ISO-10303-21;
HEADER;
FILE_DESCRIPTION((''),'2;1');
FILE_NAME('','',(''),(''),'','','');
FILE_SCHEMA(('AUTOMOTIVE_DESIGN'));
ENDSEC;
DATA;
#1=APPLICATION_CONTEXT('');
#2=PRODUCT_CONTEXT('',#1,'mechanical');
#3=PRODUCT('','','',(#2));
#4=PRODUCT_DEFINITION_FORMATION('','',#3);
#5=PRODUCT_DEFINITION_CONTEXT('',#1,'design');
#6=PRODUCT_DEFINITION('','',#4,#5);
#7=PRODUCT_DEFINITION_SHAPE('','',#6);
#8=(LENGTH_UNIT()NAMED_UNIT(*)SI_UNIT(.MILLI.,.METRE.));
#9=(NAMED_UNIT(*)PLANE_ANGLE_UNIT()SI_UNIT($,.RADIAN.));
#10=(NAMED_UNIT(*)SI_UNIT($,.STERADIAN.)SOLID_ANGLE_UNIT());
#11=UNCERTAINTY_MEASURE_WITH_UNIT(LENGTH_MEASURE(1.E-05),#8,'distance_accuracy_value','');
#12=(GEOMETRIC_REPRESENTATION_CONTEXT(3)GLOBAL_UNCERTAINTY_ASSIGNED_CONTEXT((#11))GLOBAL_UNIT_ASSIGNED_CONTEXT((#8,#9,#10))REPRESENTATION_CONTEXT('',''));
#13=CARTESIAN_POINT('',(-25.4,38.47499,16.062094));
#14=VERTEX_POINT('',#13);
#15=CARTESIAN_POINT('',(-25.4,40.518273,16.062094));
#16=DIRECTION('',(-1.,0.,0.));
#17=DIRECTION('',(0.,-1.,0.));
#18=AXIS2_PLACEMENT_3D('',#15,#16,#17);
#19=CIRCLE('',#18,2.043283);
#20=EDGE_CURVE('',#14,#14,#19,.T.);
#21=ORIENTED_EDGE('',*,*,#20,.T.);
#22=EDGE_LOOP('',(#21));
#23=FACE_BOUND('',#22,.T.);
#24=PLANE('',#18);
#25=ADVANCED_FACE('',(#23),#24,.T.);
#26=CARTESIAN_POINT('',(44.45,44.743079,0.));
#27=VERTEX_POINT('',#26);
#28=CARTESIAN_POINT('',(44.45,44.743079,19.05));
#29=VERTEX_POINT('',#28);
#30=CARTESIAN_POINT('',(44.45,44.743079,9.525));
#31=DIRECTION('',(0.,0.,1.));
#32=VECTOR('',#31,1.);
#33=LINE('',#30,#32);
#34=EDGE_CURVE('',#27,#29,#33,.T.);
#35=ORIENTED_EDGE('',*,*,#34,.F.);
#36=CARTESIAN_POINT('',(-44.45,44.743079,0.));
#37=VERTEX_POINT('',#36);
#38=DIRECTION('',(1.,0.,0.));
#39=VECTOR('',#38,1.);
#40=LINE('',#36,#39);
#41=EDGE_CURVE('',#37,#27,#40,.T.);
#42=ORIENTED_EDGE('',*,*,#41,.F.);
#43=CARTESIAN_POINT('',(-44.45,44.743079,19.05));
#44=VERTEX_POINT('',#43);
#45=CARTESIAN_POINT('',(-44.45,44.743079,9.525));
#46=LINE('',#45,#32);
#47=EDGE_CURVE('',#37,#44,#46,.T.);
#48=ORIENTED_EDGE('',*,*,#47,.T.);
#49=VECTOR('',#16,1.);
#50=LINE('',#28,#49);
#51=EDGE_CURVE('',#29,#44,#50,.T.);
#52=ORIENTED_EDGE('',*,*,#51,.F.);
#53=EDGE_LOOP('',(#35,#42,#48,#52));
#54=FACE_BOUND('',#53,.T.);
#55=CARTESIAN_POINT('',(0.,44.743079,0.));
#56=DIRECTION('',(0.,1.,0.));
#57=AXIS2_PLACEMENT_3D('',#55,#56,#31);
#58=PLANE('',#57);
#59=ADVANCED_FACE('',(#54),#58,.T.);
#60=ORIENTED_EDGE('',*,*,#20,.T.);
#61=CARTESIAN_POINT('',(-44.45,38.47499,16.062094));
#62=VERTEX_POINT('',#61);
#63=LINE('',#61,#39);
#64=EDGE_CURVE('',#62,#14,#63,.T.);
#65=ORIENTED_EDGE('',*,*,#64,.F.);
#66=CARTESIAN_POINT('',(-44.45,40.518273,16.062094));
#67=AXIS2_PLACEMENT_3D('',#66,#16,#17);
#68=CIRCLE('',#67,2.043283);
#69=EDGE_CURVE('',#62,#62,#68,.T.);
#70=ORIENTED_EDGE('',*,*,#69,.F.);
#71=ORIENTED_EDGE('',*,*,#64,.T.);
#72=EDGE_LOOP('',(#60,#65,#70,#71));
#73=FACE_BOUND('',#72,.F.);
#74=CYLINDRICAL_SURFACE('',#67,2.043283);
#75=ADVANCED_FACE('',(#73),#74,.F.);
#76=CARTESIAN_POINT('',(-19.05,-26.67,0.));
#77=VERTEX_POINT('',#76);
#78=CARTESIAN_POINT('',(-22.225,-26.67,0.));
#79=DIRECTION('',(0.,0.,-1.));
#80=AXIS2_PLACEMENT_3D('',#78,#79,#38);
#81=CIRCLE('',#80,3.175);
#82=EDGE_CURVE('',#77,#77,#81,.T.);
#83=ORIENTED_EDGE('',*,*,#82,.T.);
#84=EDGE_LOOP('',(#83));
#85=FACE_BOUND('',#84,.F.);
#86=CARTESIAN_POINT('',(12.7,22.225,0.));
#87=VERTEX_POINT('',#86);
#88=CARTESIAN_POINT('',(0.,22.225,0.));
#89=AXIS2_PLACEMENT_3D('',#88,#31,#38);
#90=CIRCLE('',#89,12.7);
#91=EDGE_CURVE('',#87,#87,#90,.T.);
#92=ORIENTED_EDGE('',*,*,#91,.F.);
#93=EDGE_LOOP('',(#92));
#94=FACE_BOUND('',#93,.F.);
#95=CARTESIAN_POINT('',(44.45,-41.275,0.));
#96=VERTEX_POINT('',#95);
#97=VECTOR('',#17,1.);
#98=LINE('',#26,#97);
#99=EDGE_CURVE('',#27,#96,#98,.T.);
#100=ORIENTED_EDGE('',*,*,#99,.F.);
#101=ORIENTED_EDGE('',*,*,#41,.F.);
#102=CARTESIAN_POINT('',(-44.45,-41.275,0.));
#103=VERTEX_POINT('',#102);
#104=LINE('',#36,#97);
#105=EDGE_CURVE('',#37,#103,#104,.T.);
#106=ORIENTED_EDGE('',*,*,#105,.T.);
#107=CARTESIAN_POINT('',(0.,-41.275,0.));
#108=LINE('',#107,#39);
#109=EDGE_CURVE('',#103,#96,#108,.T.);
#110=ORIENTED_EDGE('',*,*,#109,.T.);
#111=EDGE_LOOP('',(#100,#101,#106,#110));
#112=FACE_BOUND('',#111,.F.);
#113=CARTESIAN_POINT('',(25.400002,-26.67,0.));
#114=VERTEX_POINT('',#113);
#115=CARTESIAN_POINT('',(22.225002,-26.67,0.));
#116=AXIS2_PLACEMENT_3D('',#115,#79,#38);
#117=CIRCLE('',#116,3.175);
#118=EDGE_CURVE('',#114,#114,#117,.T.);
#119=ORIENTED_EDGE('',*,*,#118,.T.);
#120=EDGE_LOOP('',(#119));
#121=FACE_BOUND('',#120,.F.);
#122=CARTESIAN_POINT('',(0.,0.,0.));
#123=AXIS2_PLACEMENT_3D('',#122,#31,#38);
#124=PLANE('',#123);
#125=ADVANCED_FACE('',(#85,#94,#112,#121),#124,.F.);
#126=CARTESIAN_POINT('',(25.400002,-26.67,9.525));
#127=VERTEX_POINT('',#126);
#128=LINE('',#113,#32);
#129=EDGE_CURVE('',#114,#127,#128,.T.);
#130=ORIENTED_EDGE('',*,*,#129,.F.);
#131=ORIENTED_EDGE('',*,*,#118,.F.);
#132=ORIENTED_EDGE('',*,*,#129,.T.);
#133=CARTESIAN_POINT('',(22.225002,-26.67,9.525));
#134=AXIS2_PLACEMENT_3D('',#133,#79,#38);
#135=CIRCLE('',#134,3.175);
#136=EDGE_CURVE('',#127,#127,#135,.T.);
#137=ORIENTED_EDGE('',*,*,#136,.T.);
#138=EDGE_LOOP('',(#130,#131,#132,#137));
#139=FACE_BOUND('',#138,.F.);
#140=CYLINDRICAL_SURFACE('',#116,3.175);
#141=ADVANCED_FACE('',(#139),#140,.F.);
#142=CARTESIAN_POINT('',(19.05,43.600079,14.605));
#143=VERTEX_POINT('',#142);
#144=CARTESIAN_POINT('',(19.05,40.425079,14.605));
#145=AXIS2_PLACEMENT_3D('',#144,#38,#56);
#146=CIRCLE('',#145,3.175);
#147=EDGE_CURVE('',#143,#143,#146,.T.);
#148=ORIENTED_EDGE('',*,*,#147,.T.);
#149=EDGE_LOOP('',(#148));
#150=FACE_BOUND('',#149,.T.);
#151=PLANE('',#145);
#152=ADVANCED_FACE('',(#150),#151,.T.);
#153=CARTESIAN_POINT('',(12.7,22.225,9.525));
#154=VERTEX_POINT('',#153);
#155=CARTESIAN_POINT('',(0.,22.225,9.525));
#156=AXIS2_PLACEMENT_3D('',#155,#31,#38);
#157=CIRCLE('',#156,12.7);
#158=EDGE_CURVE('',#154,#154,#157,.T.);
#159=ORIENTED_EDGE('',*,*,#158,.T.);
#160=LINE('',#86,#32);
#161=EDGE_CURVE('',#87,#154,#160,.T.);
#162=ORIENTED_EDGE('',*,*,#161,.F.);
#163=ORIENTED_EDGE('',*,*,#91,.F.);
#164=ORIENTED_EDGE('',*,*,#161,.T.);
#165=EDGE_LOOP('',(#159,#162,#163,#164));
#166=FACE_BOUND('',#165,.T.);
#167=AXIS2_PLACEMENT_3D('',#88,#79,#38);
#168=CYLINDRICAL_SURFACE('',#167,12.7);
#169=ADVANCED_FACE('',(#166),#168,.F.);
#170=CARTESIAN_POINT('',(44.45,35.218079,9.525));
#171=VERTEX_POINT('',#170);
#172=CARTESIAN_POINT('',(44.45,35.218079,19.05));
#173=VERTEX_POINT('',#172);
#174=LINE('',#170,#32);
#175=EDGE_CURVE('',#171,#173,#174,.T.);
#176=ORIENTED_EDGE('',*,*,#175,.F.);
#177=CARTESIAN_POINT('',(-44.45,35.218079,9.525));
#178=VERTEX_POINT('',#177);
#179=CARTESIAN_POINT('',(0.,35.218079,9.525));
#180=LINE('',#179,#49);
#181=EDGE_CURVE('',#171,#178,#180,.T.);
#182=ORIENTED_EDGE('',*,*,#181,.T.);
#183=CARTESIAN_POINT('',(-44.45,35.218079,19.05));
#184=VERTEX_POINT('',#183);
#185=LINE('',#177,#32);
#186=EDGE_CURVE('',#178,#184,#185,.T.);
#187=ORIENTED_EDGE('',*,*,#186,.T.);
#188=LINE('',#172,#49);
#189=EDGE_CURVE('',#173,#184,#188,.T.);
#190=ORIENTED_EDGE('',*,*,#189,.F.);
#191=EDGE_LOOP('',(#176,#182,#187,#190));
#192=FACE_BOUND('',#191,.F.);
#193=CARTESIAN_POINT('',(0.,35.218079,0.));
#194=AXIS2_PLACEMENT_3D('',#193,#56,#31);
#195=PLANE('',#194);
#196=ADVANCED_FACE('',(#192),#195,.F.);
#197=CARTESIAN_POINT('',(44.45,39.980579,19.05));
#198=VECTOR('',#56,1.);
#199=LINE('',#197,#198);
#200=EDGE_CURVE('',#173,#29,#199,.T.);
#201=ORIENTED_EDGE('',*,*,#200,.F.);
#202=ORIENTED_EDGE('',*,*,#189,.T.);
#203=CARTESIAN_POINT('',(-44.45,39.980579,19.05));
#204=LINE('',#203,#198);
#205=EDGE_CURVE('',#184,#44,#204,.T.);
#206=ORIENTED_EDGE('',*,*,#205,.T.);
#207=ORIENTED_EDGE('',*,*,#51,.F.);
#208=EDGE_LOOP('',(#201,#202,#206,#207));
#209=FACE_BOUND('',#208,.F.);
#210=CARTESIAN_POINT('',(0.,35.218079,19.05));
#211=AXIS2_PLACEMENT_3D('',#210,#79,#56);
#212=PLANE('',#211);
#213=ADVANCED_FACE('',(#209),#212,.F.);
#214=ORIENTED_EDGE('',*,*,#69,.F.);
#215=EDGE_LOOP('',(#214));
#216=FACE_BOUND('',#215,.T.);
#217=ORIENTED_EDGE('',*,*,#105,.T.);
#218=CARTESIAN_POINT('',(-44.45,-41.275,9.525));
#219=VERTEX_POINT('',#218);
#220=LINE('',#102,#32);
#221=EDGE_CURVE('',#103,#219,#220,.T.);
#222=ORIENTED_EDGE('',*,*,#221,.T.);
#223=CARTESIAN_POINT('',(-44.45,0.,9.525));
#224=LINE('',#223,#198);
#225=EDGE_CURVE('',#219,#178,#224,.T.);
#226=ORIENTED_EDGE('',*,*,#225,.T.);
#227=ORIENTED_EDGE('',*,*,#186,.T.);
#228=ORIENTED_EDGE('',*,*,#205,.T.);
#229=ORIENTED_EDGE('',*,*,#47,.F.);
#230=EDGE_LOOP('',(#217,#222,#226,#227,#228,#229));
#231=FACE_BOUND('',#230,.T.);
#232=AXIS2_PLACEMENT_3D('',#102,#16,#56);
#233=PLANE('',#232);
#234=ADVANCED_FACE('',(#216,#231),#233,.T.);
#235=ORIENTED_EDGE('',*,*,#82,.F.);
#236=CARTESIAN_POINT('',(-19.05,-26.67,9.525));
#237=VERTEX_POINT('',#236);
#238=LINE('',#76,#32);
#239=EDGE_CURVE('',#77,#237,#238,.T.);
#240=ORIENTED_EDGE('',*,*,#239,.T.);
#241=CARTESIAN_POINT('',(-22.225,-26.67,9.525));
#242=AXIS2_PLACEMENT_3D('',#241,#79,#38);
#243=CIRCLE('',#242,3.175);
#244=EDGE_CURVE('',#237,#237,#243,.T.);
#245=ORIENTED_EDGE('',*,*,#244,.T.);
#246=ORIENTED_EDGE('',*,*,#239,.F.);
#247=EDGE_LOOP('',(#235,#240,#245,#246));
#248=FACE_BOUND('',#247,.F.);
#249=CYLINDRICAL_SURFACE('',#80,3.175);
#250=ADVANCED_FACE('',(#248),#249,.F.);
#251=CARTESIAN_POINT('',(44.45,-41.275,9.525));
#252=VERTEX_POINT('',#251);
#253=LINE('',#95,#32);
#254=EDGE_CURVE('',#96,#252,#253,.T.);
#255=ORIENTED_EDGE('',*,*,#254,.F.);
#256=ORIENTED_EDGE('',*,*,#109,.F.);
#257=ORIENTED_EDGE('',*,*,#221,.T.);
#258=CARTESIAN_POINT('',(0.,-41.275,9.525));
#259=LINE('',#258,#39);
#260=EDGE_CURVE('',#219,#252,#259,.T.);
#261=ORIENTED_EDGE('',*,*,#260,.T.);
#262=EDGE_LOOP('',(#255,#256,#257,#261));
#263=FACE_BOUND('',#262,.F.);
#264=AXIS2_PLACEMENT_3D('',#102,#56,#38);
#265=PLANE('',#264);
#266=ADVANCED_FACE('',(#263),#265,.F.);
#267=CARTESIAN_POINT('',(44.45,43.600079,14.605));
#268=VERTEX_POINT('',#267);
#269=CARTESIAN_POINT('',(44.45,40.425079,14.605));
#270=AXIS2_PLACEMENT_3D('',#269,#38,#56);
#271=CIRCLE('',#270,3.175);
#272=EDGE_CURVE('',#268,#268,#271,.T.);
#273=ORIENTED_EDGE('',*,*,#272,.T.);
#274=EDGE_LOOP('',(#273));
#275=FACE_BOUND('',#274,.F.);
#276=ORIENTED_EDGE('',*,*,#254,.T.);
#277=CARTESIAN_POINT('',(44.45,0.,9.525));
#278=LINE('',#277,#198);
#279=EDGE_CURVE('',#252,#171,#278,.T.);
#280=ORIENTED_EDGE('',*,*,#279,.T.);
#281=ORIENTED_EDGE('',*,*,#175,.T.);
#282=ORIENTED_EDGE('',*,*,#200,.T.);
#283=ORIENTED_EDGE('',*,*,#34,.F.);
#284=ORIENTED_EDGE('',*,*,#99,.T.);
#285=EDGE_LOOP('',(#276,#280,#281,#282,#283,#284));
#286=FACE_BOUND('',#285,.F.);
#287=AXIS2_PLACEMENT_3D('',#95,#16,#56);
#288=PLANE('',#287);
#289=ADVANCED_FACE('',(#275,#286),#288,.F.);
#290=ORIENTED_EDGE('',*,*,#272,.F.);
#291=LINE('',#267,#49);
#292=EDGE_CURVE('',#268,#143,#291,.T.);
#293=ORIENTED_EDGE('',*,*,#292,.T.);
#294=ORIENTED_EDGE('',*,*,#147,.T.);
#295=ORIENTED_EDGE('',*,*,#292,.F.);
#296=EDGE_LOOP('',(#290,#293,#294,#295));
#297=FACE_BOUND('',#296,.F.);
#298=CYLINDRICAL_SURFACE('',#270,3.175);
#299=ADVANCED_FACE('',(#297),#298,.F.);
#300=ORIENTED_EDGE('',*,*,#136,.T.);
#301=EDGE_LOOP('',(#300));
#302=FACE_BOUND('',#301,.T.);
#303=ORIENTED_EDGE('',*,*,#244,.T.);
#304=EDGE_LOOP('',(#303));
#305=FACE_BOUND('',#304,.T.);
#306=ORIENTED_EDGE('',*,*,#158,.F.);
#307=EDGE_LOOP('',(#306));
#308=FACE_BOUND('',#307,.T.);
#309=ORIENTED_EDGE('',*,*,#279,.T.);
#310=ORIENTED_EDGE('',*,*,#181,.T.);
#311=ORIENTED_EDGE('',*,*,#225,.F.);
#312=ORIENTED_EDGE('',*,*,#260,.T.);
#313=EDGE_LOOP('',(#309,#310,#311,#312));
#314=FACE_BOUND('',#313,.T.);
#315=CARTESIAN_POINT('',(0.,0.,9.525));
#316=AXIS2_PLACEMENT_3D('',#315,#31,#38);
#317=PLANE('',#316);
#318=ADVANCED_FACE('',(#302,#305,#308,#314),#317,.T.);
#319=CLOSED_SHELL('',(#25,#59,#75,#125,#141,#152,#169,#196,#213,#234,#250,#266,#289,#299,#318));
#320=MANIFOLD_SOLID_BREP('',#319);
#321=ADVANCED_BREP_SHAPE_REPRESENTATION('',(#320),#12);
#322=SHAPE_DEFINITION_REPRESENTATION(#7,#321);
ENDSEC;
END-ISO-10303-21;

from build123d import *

# Parameters (mm, degrees)
F0_W     = 88.9
F0_H     = 82.55
F0_R     = 12.7
F2_DEPTH = 9.525
F1_W     = 9.525
F1_H     = 19.05
F3_DEPTH = 44.45
F4_R     = 3.175
F5_DEPTH = 25.4
F6_R     = 2.0432827377
F7_DEPTH = 19.05
F8_R     = 3.175
F9_DEPTH = 19.051


with BuildPart() as f2:
    # F0 (on Top) → F2 (new body)
    with BuildSketch(Plane.XY):
        Rectangle(F0_W, F0_H)
        with Locations((0, 22.225)):
            Circle(F0_R, mode=Mode.SUBTRACT)
    extrude(amount=F2_DEPTH)

    # F1 (on Right) → F3 (join, symmetric)
    with BuildSketch(Plane.YZ):
        with Locations((39.9805786431, 9.525)):
            Rectangle(F1_W, F1_H)
    extrude(amount=F3_DEPTH, both=True)

    # F4 (on face) → F5 (cut)
    with BuildSketch(Plane.YZ.offset(44.45)):
        with Locations((40.4250786431, 14.605)):
            Circle(F4_R)
    extrude(amount=-F5_DEPTH, mode=Mode.SUBTRACT)

    # F6 (on face) → F7 (cut)
    with BuildSketch(Plane(origin=(-44.45, 0, 0), x_dir=(0, -1, 0), z_dir=(-1, 0, 0))):
        with Locations((-40.5182726681, 16.0620938987)):
            Circle(F6_R)
    extrude(amount=-F7_DEPTH, mode=Mode.SUBTRACT)

    # F8 (on face) → F9 (cut, through all)
    with BuildSketch(Plane(origin=(0, 0, 0), x_dir=(1, 0, 0), z_dir=(0, 0, -1))):
        with Locations((22.2250018269, 26.67)):
            Circle(F8_R)
        with Locations((-22.225, 26.67)):
            Circle(F8_R)
    extrude(amount=-F9_DEPTH, mode=Mode.SUBTRACT)


solid = f2.part
